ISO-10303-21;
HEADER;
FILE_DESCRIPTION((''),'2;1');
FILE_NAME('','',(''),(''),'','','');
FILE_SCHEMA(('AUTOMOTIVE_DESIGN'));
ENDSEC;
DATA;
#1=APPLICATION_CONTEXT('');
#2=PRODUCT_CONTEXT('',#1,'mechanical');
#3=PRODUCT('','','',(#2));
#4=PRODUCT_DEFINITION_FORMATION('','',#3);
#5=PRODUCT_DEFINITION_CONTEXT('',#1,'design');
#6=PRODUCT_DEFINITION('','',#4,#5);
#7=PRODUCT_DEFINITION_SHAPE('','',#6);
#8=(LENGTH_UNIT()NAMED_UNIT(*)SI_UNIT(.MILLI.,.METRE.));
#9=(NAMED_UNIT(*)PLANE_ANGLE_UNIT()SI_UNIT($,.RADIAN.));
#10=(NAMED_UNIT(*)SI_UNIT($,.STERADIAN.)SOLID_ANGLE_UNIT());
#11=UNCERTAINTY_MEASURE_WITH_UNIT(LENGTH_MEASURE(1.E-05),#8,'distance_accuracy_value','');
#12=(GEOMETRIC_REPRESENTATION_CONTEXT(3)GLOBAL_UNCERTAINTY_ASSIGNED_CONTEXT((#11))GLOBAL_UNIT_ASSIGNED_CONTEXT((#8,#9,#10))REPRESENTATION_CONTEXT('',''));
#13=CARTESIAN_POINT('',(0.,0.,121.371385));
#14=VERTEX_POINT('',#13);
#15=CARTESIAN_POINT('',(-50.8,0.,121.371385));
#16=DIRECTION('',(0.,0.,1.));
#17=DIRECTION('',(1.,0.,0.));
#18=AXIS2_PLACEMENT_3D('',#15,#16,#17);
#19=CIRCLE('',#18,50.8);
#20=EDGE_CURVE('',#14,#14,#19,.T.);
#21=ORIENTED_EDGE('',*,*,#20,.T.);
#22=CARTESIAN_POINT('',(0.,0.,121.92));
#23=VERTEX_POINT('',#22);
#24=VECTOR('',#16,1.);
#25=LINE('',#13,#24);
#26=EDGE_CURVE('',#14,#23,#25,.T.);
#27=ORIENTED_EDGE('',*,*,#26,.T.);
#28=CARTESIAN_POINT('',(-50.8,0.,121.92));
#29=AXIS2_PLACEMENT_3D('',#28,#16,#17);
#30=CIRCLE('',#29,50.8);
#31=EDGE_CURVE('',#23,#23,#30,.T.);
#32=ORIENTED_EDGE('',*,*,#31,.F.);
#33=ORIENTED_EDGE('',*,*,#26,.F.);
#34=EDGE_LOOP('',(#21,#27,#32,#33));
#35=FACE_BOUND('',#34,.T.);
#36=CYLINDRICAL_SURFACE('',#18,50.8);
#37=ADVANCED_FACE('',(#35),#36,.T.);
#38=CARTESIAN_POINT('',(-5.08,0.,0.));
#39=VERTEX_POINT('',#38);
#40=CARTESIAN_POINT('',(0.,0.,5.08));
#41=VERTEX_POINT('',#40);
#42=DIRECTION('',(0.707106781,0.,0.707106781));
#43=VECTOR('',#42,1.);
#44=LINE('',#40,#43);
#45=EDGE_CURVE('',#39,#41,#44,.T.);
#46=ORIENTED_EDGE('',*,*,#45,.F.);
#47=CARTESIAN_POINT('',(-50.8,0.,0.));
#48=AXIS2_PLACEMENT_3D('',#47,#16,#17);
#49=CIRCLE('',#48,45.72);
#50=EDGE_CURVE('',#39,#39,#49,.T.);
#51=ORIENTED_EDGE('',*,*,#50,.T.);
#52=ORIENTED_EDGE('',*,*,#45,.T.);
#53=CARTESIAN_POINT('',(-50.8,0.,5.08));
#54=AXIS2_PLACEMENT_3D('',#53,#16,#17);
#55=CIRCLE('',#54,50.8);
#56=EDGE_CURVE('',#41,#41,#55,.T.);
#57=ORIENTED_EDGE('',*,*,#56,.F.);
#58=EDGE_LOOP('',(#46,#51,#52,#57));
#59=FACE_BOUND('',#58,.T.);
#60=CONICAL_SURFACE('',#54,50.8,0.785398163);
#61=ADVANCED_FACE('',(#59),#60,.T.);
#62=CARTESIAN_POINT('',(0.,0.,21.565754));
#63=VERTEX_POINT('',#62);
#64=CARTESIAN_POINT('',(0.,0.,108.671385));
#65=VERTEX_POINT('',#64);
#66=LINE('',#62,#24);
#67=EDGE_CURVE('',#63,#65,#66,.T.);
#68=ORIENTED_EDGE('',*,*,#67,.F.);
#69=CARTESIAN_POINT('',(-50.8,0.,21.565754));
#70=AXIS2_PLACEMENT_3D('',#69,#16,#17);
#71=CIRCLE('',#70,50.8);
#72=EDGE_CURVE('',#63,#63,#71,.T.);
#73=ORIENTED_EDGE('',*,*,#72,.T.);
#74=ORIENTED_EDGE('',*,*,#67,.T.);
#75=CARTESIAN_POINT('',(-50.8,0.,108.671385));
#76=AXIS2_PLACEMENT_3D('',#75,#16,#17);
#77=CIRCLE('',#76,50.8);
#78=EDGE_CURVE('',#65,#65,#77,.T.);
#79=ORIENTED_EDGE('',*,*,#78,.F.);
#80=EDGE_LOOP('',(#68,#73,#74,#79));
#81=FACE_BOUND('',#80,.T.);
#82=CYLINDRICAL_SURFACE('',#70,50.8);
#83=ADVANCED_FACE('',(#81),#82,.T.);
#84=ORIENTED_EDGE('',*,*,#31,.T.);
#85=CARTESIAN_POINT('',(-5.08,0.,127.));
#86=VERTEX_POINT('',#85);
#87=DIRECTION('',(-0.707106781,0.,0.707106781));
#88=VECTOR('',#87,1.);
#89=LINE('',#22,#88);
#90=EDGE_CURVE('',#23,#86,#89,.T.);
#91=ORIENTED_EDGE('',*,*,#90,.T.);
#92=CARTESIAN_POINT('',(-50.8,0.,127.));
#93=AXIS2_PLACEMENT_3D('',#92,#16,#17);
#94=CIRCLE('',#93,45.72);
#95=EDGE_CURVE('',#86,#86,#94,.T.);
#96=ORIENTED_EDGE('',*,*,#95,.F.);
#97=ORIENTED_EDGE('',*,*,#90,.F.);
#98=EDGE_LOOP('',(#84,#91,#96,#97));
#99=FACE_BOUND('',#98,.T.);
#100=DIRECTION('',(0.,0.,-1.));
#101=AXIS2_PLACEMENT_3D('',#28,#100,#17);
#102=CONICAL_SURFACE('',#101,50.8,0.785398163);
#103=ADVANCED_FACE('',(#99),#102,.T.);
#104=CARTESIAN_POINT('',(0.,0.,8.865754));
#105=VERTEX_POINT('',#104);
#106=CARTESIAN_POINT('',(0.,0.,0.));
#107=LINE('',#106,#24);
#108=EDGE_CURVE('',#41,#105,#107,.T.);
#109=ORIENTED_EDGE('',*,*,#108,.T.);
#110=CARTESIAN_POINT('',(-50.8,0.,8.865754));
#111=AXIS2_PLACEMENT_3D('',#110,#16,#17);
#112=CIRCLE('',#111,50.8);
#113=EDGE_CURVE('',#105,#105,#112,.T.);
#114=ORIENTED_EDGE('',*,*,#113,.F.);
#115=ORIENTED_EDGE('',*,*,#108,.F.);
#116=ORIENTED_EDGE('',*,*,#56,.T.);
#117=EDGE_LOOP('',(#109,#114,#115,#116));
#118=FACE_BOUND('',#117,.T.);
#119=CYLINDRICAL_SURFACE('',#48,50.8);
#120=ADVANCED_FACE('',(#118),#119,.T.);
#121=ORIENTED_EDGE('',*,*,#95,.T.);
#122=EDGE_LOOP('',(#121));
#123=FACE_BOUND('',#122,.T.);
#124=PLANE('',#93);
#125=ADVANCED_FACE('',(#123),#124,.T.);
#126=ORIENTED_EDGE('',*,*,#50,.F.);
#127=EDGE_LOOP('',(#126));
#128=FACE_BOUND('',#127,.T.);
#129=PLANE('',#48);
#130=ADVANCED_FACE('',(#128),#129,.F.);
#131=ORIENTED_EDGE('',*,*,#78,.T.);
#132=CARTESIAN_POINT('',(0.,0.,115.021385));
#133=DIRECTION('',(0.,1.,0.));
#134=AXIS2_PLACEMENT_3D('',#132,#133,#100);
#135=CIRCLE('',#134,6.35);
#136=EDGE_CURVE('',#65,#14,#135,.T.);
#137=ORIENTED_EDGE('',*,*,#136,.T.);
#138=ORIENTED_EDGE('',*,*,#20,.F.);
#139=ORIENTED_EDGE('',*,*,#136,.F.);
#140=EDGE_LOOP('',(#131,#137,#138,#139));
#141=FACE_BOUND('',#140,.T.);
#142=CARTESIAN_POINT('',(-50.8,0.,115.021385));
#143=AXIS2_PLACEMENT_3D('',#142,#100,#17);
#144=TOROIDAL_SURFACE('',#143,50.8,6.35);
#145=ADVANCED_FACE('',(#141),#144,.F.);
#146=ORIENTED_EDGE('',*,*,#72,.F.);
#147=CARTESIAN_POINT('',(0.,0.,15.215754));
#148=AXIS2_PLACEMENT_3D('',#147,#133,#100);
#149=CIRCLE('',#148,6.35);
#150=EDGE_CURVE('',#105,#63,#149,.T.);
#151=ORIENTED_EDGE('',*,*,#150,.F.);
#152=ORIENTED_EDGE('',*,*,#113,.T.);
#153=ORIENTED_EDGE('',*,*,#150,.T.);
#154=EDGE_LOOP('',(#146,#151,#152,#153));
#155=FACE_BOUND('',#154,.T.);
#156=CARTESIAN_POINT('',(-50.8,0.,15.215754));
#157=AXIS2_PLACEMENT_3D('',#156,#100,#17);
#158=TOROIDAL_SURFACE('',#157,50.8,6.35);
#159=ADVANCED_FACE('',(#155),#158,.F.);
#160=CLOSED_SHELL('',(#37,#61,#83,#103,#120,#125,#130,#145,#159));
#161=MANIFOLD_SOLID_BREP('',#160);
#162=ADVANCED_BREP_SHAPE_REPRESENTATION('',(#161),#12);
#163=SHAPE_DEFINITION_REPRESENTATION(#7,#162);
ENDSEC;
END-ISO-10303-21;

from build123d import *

# Parameters (mm, degrees)
F2_SIZE = 5.08


with BuildPart() as f1:
    # F0 (on Front) → F1 (revolve)
    with BuildSketch(Plane.XZ):
        with BuildLine():
            Line((-50.8, 0), (0, 0))
            Line((0, 0), (0, 8.8657535776))
            ThreePointArc((0, 8.8657535776), (-6.35, 15.2157535776), (0, 21.5657535776))
            Line((0, 21.5657535776), (0, 108.6713852525))
            ThreePointArc((0, 108.6713852525), (-6.35, 115.0213852525), (0, 121.3713852525))
            Line((0, 121.3713852525), (0, 127))
            Line((0, 127), (-50.8, 127))
            Line((-50.8, 127), (-50.8, 0))
        make_face()
    revolve(axis=Axis((-50.8, 0, 63.5), (0, 0, 1)))

    # F2
    f2_edges = [f1.edges().sort_by_distance(p)[0] for p in [
        (-101.6, 0, 127),
        (-101.6, 0, 0),
    ]]
    chamfer(f2_edges, length=F2_SIZE)


solid = f1.part
